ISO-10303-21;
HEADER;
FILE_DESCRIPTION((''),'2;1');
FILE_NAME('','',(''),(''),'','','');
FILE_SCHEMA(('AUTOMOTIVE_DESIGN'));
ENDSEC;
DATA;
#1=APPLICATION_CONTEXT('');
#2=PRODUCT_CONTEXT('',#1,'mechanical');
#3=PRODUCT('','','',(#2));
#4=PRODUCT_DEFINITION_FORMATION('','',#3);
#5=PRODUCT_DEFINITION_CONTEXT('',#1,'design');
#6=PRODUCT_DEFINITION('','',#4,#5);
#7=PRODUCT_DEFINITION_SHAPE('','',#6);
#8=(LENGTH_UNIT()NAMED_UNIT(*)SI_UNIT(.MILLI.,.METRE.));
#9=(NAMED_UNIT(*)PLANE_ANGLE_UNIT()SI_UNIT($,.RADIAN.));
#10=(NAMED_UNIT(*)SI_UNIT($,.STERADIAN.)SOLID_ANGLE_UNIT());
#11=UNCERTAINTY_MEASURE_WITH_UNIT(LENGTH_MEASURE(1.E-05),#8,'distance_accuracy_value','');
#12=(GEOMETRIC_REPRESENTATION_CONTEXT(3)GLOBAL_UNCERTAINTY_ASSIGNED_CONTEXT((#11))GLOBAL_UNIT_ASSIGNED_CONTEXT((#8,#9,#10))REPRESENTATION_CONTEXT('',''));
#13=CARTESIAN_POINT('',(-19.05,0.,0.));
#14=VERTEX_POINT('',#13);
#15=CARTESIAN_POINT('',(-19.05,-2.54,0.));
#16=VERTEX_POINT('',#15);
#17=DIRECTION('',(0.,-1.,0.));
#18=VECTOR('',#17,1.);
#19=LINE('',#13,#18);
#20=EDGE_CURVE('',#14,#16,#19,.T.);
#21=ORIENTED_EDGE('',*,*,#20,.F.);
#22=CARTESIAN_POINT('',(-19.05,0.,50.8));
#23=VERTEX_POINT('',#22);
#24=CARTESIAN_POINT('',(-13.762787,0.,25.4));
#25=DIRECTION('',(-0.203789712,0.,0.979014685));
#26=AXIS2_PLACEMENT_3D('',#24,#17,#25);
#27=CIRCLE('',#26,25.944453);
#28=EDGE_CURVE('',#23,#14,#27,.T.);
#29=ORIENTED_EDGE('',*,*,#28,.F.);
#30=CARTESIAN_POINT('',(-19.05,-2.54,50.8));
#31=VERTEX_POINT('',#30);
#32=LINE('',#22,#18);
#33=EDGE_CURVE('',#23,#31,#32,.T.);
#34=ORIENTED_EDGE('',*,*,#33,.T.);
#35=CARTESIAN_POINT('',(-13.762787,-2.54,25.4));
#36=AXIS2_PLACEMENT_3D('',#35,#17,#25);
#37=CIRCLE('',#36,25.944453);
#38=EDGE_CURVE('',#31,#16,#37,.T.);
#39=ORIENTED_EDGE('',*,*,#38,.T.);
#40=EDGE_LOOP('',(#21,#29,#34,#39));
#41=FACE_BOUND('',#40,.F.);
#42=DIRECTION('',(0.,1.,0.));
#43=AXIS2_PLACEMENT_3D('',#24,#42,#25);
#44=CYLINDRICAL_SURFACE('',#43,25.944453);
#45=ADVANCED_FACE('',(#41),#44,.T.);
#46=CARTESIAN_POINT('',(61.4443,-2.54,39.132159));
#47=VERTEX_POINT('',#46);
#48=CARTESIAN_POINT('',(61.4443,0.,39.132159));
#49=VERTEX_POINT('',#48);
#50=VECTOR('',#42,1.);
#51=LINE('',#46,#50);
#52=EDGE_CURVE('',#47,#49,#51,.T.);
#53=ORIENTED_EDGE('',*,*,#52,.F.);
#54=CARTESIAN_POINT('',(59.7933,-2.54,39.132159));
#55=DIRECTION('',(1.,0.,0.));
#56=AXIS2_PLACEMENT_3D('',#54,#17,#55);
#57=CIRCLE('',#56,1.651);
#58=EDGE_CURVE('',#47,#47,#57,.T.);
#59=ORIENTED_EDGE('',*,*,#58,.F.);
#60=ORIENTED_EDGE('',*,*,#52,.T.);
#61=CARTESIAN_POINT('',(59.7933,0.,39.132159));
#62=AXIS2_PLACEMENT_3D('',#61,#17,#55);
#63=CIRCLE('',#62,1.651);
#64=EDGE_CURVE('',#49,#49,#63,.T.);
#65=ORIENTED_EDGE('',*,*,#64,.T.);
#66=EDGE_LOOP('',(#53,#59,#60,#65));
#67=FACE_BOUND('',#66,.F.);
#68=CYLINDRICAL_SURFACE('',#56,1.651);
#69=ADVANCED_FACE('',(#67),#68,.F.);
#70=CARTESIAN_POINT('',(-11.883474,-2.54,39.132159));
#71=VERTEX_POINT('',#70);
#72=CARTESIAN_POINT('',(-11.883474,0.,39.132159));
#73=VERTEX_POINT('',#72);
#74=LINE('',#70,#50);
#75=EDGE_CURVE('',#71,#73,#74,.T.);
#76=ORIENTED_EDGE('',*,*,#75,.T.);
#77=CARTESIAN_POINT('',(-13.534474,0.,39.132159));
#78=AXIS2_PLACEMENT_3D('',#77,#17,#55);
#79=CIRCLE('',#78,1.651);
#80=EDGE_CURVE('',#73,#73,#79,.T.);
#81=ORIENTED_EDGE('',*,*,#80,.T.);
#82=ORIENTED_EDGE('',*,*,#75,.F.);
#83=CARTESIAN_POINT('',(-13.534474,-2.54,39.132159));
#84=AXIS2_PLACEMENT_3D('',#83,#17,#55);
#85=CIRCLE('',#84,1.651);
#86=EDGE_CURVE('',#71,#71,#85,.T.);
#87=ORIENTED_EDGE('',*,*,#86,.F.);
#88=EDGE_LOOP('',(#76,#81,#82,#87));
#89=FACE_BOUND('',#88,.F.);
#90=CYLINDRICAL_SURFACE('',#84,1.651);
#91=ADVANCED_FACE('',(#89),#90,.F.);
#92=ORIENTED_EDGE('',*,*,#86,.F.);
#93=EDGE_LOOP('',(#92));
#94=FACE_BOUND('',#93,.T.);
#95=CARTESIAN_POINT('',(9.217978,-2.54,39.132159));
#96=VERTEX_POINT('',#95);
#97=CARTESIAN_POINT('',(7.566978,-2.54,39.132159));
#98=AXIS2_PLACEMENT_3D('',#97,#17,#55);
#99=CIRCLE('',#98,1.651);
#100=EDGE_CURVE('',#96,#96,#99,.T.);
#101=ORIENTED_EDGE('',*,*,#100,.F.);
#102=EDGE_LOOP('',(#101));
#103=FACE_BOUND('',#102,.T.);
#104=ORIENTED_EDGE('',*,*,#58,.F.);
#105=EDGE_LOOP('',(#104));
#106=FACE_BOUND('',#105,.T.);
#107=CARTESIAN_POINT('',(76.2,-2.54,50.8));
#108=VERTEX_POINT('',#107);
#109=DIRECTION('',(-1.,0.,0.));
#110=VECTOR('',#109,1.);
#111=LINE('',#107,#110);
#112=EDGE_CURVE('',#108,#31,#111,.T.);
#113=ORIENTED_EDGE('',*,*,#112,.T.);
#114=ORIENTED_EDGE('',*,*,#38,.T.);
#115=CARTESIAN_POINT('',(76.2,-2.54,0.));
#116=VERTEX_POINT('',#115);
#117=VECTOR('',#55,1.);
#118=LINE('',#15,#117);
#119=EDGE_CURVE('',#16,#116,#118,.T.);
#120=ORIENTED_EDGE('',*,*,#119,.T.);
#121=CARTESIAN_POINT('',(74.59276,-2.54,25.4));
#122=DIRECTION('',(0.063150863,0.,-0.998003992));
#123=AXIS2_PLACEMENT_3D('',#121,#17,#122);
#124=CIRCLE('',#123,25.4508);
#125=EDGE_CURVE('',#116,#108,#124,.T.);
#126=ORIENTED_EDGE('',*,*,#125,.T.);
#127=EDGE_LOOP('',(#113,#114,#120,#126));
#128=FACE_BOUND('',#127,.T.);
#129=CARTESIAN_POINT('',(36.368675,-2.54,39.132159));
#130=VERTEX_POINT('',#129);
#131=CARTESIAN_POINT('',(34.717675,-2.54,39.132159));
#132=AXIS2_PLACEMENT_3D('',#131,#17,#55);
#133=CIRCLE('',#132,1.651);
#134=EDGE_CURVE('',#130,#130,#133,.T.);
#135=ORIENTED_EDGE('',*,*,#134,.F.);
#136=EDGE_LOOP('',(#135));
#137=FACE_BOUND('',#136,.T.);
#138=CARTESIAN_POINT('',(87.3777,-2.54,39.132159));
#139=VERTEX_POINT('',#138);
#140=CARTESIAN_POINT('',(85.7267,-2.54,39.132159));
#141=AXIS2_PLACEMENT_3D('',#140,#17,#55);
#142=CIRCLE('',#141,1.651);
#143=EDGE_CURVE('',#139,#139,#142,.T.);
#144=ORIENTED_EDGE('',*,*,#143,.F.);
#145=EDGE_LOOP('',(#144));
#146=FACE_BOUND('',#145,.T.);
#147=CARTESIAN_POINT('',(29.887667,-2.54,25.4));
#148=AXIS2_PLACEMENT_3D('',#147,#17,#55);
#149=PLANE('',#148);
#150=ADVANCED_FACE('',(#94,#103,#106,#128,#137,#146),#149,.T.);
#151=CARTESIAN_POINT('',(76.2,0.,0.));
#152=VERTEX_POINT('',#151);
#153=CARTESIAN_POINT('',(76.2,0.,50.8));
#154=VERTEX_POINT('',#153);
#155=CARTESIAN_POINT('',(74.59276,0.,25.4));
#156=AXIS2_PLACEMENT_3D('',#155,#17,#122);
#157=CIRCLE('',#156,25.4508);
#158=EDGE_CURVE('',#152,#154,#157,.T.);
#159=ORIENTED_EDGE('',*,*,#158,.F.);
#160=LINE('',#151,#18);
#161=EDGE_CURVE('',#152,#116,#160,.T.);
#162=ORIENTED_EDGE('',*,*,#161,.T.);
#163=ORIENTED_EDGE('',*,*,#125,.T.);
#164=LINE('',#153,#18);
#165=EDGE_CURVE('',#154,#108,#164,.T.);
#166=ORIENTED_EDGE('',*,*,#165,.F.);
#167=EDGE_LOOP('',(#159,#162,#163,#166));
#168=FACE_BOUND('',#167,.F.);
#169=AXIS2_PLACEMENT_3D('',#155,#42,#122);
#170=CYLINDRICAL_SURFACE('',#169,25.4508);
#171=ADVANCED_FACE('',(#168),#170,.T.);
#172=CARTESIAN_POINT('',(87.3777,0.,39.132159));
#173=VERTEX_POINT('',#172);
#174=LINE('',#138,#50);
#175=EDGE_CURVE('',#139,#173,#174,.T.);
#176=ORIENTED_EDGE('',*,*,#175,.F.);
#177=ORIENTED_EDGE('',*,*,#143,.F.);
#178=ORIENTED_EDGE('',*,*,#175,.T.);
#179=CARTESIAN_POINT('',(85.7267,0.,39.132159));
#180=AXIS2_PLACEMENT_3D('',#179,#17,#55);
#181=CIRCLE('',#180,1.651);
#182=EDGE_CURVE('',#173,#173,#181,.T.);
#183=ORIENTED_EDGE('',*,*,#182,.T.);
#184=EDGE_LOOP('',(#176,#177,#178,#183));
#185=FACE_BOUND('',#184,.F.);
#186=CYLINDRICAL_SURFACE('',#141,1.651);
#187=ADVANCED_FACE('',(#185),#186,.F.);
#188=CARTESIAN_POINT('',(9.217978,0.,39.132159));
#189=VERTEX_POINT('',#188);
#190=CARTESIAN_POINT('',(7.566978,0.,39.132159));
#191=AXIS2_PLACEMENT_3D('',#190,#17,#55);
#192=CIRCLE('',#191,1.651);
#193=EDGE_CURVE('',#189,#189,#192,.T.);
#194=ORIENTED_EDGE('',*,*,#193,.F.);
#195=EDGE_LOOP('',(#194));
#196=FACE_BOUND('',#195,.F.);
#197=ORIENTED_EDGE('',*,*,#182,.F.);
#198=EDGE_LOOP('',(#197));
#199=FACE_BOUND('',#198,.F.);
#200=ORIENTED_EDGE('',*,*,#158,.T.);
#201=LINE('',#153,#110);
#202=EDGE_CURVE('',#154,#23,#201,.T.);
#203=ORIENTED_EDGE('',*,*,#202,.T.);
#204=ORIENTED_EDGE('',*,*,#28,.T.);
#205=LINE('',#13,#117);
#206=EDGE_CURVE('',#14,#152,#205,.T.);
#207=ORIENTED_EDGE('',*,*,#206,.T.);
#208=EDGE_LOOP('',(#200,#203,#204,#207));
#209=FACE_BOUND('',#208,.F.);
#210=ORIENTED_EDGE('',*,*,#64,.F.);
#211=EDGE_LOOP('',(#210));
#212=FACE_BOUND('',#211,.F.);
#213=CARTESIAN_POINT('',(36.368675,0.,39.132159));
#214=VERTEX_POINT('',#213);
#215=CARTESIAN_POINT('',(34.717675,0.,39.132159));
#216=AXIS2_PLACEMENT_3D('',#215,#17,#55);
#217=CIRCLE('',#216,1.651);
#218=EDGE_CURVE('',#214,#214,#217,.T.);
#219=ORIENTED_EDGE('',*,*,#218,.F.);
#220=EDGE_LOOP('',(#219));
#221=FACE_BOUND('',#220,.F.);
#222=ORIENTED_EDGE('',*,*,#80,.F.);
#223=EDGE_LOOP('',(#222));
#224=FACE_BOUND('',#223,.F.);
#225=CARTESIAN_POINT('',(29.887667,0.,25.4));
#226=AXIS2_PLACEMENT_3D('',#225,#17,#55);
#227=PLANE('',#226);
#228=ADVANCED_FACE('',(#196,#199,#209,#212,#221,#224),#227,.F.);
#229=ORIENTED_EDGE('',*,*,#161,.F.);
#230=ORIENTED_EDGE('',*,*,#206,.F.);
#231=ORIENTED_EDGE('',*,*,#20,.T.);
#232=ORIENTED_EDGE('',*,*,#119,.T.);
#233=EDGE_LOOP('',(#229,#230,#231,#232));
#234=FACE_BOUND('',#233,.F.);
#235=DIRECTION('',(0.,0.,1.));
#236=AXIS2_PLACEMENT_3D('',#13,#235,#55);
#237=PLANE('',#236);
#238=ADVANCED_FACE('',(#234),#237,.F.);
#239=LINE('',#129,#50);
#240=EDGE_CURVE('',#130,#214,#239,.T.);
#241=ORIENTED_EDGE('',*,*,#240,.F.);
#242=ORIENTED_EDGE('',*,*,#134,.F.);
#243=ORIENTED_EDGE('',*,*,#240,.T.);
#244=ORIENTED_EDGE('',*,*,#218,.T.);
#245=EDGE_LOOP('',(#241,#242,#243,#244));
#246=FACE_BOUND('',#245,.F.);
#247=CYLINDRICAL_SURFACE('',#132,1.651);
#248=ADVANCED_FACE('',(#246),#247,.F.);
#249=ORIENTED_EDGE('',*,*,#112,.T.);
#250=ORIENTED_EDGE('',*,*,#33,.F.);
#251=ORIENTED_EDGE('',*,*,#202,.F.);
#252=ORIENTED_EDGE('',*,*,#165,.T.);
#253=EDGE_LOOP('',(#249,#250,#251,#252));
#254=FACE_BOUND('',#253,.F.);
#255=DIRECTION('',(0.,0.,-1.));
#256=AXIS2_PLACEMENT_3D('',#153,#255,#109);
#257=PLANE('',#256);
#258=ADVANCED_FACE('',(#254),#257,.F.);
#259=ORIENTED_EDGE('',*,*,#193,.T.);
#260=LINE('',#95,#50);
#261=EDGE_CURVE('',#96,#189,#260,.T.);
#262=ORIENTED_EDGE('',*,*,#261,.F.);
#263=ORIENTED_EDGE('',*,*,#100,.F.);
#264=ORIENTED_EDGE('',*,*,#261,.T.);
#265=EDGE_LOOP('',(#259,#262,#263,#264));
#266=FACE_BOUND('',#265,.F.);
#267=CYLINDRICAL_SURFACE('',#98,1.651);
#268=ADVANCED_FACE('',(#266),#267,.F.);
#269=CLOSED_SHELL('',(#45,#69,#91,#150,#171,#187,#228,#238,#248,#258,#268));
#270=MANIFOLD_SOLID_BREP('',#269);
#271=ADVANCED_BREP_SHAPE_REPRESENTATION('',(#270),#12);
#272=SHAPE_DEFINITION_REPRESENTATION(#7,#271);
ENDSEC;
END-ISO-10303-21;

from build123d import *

# Parameters (mm, degrees)
F1_DEPTH = 2.54
F2_R     = 1.651
F3_DEPTH = 25.4


with BuildPart() as f1:
    # F0 (on Front) → F1 (new body)
    with BuildSketch(Plane.XZ):
        with BuildLine():
            Line((-19.05, 0), (0, 0))
            Line((0, 0), (76.2, 0))
            ThreePointArc((76.2, 0), (100.04356, 25.4), (76.2, 50.8))
            Line((76.2, 50.8), (0, 50.8))
            Line((0, 50.8), (-19.05, 50.8))
            ThreePointArc((-19.05, 50.8), (-39.70724, 25.4), (-19.05, 0))
        make_face()
    extrude(amount=F1_DEPTH)

    # F2 (on face) → F3 (cut)
    with BuildSketch(Plane.XZ.offset(2.54)):
        with Locations((59.7933, 39.132159)):
            Circle(F2_R)
        with Locations((85.7267, 39.132159)):
            Circle(F2_R)
        with Locations((34.717675, 39.132159)):
            Circle(F2_R)
        with Locations((7.566978, 39.132159)):
            Circle(F2_R)
        with Locations((-13.534474, 39.132159)):
            Circle(F2_R)
    extrude(amount=-F3_DEPTH, mode=Mode.SUBTRACT)


solid = f1.part
